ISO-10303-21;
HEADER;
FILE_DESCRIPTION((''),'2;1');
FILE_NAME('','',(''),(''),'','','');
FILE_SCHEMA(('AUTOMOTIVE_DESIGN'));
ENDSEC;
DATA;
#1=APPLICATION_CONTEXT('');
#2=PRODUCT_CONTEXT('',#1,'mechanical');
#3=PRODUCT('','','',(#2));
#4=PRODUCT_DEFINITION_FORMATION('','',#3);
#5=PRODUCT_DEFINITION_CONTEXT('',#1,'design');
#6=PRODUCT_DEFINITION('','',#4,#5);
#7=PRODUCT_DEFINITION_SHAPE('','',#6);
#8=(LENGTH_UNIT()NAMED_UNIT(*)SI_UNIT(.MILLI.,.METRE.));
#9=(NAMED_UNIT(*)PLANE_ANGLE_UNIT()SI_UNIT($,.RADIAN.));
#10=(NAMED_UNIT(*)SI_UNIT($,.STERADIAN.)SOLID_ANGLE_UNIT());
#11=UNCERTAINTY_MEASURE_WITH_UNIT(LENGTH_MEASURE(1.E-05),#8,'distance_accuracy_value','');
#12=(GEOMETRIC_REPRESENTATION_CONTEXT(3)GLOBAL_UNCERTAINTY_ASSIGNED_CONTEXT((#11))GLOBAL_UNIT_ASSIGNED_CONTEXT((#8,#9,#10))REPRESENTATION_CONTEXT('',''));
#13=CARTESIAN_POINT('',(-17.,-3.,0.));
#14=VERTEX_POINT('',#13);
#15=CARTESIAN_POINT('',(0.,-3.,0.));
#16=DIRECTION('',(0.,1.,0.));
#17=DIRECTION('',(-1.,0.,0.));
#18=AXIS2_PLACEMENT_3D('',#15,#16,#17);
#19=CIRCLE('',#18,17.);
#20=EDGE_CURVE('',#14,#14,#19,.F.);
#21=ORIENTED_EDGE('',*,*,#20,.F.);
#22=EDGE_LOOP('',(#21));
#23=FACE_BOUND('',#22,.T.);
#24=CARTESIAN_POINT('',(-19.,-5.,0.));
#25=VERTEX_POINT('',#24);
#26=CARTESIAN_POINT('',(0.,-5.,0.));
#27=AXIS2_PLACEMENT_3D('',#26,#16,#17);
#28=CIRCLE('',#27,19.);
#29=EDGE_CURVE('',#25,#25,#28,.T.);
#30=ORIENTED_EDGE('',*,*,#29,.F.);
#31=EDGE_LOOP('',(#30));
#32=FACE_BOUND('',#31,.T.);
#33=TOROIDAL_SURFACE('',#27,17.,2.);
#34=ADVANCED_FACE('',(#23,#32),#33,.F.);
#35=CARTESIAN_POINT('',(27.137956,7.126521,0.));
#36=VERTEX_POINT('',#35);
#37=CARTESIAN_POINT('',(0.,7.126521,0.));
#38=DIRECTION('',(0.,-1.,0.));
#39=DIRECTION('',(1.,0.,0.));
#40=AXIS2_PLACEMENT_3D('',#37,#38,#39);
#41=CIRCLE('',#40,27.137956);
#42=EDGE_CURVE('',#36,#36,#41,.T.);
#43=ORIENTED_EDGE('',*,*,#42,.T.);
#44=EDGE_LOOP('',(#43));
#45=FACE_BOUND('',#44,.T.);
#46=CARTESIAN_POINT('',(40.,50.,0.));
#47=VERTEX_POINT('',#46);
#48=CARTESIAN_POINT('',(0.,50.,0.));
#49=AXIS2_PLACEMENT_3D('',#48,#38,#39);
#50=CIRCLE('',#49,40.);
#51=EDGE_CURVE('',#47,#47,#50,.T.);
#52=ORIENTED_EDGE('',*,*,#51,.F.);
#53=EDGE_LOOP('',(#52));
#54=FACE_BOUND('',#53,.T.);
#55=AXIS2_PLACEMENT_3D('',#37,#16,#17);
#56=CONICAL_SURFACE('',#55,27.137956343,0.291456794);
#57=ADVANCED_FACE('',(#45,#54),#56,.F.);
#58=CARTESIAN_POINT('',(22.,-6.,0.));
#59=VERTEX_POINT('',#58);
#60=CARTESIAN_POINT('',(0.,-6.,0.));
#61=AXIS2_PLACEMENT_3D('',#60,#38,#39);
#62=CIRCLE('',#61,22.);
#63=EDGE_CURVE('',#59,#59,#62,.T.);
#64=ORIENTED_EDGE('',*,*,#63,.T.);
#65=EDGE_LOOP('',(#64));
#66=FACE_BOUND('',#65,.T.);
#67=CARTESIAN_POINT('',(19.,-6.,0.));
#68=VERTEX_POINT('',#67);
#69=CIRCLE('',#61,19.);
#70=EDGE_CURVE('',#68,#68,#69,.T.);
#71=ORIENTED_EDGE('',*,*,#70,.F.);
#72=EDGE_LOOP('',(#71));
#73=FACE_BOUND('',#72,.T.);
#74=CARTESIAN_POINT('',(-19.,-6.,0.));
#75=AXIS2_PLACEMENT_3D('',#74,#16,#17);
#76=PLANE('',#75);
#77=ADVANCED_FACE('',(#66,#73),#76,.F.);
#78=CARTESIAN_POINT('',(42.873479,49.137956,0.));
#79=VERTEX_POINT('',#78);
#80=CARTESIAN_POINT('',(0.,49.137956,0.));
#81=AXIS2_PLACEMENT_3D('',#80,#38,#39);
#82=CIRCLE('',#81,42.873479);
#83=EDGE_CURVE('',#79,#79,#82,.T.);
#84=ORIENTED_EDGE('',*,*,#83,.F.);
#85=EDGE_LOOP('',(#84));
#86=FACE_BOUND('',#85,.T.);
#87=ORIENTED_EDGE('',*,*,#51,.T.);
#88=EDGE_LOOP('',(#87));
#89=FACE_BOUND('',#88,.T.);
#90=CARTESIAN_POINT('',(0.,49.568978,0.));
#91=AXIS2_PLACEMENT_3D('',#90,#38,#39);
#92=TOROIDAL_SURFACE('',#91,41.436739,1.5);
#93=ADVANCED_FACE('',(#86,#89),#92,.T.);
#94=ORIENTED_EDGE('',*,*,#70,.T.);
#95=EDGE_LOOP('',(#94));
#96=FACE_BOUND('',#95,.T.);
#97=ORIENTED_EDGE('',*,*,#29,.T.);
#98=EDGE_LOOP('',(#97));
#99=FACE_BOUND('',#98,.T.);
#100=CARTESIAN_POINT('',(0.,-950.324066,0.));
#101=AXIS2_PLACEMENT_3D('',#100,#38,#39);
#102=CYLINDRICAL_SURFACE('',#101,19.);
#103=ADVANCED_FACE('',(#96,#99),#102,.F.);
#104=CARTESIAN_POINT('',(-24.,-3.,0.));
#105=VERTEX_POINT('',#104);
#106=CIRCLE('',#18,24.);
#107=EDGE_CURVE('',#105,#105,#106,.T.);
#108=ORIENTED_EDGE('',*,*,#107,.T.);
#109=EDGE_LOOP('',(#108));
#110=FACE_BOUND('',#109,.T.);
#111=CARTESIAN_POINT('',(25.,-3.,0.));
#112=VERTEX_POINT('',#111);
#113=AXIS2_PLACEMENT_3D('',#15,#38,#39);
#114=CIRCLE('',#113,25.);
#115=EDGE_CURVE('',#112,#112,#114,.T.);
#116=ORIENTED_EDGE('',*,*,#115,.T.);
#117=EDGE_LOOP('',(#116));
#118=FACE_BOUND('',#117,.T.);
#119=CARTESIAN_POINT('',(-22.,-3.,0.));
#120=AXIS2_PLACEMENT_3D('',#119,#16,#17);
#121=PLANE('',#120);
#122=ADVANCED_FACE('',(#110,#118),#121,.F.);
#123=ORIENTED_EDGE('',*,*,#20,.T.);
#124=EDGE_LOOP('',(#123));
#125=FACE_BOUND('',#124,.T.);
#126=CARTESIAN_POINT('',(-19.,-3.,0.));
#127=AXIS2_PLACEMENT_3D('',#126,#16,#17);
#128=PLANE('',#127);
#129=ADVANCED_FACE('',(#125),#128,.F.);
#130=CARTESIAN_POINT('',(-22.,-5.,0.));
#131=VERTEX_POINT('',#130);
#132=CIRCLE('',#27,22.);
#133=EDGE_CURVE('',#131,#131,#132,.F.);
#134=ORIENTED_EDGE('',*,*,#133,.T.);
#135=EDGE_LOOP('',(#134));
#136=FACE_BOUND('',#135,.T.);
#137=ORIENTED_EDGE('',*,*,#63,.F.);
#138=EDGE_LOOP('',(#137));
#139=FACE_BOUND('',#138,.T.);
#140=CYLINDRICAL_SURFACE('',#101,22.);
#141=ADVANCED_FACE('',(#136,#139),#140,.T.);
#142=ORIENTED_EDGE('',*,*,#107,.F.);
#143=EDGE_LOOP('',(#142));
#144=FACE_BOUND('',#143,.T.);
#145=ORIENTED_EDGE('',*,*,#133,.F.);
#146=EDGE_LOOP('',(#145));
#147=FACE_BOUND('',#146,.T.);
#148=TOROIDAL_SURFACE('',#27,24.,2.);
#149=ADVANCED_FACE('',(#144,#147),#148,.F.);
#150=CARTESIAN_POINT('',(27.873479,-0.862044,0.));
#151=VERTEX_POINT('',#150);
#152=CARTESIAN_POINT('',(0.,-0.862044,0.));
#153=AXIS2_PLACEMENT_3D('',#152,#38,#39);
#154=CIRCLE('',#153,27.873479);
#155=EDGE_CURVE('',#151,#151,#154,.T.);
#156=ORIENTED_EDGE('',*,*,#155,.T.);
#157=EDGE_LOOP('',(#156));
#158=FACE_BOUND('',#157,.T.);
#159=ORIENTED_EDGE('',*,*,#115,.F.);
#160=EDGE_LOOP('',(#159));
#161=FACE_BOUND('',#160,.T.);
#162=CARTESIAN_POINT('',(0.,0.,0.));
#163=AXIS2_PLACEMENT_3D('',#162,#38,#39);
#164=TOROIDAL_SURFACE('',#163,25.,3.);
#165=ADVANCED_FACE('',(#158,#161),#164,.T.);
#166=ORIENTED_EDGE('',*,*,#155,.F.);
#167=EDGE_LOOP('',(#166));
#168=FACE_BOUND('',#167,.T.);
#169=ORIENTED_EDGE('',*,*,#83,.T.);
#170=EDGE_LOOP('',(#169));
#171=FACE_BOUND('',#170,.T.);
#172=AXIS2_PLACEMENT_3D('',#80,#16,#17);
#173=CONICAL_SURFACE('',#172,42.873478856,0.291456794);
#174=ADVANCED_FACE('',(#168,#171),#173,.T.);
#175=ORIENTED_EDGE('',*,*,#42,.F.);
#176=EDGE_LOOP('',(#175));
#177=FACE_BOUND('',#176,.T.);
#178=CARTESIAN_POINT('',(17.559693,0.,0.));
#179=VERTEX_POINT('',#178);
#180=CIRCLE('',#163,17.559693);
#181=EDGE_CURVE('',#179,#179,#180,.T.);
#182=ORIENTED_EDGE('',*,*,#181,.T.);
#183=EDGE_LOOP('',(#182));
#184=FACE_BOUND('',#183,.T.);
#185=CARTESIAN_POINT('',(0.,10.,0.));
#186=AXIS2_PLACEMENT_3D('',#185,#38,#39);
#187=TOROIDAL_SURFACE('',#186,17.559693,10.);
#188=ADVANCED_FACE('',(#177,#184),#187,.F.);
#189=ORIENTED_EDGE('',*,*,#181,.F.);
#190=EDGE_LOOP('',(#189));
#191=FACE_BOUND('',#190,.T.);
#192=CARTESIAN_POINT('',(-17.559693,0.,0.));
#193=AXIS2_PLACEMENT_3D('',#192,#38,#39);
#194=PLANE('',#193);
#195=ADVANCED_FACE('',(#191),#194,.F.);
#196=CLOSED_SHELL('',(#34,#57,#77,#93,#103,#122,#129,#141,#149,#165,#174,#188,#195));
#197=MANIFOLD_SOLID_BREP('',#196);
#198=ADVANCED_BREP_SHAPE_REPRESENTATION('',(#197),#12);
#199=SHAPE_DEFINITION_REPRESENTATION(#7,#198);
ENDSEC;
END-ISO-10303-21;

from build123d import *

# Parameters (mm, degrees)
FILLET_1_R = 2


with BuildPart() as part:
    # 草图2 → 旋转1 (revolve)
    with BuildSketch(Plane.XY, mode=Mode.PRIVATE) as revolve_1_sk:
        with BuildLine():
            Line((-40, 50), (-27.137956343, 7.126521144))
            ThreePointArc((-27.137956343, 7.126521144), (-23.528998787, 1.977070717), (-17.559693491, 0))
            Line((-17.559693491, 0), (0, 0))
            Line((0, 0), (0, -3))
            Line((0, -3), (-19, -3))
            Line((-19, -3), (-19, -6))
            Line((-19, -6), (-22, -6))
            Line((-22, -6), (-22, -3))
            Line((-22, -3), (-25, -3))
            ThreePointArc((-25, -3), (-26.790791589, -2.406878785), (-27.873478856, -0.862043657))
            Line((-27.873478856, -0.862043657), (-42.873478856, 49.137956343))
            ThreePointArc((-42.873478856, 49.137956343), (-41.867761256, 51.005717599), (-40, 50))
        make_face()
    revolve(revolve_1_sk.sketch.rotate(Axis((0, -950.324066191, 0), (0, 1, 0)), 180), axis=Axis((0, -950.324066191, 0), (0, 1, 0)))

    # 圆角1
    fillet_1_edges = [part.edges().sort_by_distance(p)[0] for p in [
        (-19, -3, 0),
        (-22, -3, 0),
    ]]
    fillet(fillet_1_edges, radius=FILLET_1_R)


solid = part.part
